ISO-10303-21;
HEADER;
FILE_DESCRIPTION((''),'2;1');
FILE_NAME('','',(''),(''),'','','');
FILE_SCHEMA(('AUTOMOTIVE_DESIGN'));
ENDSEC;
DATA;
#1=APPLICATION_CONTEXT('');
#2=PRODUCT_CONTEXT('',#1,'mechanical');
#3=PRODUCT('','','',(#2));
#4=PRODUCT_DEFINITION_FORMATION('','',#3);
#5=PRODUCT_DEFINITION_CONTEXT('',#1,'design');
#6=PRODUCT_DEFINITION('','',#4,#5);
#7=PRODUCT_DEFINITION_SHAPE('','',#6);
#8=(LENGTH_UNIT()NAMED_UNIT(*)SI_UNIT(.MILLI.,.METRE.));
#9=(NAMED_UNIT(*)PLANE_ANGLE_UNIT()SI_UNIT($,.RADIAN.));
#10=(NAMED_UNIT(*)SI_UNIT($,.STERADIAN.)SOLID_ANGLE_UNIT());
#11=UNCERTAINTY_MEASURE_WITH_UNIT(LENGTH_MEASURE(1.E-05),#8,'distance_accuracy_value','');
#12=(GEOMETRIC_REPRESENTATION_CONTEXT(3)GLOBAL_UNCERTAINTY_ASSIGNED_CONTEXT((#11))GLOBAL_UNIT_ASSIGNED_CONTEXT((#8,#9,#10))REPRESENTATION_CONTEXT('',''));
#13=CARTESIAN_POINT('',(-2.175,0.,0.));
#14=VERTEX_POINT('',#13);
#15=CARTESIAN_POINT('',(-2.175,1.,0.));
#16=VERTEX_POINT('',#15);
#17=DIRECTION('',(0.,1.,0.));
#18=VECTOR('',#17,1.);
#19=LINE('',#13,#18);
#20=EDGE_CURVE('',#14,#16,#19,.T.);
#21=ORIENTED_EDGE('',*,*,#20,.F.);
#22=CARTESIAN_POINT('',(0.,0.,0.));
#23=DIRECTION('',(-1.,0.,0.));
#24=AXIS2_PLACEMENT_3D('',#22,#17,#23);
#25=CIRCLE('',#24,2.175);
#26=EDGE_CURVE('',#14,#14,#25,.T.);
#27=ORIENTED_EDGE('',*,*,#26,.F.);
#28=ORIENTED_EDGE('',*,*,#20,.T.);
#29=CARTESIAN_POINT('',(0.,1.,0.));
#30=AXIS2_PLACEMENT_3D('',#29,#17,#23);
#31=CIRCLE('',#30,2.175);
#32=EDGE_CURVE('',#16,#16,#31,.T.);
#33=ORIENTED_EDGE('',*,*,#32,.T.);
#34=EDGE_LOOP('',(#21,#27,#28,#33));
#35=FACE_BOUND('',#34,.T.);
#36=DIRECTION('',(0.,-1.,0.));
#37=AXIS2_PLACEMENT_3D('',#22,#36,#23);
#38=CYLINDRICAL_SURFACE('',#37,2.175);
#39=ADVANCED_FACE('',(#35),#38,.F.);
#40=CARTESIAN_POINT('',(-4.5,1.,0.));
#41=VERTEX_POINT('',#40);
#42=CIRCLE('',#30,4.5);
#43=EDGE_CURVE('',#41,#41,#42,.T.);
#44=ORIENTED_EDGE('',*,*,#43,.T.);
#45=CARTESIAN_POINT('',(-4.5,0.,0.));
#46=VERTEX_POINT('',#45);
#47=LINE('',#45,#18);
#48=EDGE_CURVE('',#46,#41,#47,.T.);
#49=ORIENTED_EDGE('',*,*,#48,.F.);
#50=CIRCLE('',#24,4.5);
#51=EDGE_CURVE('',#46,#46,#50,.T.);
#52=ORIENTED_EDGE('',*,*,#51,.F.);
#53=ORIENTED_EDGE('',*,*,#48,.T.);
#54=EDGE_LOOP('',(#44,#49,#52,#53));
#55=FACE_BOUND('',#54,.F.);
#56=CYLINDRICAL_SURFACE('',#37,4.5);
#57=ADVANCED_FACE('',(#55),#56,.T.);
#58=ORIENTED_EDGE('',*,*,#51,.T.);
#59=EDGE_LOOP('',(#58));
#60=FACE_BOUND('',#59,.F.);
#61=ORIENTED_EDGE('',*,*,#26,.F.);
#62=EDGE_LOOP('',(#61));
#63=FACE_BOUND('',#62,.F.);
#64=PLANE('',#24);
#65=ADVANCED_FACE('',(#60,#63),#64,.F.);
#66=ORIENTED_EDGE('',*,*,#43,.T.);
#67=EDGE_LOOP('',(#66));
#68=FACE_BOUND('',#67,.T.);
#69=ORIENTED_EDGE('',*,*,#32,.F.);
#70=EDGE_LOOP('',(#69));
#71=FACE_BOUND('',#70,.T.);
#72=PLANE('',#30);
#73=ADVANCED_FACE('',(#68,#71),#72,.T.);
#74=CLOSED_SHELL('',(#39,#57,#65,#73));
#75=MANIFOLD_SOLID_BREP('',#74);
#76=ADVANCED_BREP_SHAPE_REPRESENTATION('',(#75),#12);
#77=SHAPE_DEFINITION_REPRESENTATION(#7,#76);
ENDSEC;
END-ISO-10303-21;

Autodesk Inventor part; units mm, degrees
ref_plane "YZ Plane" through (0, 0, 0) normal (1, 0, 0) x (0, 1, 0)
ref_plane "XZ Plane" through (0, 0, 0) normal (0, 1, 0) x (-1, 0, 0)
ref_plane "XY Plane" through (0, 0, 0) normal (0, 0, 1) x (1, 0, 0)
sketch "Sketch1" plane through (0, 0, 0) normal (0, 1, 0) x (-1, 0, 0)
  circle A0 centre (0, 0) radius 2.175
  circle A1 centre (0, 0) radius 4.5
  dimension "d0" = 4.35
  dimension "d1" = 9
extrude "Extrusion1" add sketch "Sketch1" along normal blind 1
properties part number "M3_washer"
